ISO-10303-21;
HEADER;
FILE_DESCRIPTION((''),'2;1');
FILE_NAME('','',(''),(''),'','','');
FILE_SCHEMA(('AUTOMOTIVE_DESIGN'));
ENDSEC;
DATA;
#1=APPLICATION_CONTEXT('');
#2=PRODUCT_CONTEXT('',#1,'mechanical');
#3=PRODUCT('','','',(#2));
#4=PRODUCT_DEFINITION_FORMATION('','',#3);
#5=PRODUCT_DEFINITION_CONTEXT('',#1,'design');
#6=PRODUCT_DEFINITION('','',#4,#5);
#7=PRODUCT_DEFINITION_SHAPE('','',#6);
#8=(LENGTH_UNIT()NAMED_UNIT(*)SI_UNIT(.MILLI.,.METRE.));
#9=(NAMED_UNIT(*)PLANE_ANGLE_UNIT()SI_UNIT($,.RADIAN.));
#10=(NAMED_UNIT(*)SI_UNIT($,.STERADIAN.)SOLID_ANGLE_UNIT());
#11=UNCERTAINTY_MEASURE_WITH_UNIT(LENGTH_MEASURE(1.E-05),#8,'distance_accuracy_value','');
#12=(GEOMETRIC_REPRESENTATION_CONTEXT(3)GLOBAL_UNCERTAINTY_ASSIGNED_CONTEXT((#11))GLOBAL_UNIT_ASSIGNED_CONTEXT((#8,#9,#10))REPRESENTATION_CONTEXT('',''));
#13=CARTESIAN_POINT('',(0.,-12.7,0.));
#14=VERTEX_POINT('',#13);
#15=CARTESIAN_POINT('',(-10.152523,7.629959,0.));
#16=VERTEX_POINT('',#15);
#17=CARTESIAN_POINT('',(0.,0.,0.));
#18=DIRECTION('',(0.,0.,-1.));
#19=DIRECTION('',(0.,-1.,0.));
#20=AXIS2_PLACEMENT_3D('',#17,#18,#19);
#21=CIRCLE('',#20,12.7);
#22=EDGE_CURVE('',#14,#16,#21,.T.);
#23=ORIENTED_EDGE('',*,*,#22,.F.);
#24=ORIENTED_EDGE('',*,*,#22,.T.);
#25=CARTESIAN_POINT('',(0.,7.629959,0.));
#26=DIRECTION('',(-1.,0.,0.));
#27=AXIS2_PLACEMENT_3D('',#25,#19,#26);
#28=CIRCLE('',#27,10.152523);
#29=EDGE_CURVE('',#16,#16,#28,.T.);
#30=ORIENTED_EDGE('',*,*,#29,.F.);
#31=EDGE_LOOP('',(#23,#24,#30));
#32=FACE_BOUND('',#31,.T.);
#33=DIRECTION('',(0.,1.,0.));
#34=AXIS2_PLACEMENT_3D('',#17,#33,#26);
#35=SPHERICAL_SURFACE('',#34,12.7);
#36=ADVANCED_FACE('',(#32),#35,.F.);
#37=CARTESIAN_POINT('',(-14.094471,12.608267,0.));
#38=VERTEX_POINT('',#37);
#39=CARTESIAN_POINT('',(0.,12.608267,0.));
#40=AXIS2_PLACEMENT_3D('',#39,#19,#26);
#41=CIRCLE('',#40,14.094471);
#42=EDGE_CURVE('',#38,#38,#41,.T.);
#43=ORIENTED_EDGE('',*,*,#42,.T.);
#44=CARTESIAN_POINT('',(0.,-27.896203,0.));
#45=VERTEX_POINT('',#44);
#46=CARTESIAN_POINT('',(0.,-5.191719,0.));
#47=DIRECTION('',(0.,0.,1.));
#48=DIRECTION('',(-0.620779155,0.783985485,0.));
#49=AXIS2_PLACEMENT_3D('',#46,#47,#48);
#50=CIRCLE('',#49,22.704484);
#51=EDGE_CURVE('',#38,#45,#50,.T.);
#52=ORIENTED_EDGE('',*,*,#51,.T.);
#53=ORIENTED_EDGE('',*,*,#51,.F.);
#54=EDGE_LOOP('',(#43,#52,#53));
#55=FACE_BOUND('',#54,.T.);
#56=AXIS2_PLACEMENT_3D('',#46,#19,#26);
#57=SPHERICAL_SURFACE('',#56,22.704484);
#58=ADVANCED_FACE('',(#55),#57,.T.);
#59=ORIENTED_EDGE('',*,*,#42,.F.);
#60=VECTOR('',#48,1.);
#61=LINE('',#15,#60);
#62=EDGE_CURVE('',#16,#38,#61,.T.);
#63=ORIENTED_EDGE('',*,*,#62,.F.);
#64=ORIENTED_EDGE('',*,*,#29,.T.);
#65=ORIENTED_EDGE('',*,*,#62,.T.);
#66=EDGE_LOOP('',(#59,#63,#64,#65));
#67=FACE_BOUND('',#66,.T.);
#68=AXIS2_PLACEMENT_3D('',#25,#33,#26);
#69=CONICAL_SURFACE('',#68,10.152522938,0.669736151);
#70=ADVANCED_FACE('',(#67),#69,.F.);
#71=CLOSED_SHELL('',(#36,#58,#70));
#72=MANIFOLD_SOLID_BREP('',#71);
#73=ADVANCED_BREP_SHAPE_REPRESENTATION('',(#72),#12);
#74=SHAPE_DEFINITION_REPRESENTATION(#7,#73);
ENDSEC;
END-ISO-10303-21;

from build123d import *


with BuildPart() as f1:
    # F0 (on Top) → F1 (revolve)
    with BuildSketch(Plane.XY):
        with BuildLine():
            ThreePointArc((0, -12.7), (-11.3620086767, -5.6740425475), (-10.1525229381, 7.6299592391))
            ThreePointArc((-10.1525229381, 7.6299592391), (-15.4460527752, -10.5665316178), (0, -21.5462033483))
            Line((0, -21.5462033483), (0, -12.7))
        make_face()
        with BuildLine():
            ThreePointArc((0, -21.5462033483), (-15.4460527752, -10.5665316178), (-10.1525229381, 7.6299592391))
            Line((-10.1525229381, 7.6299592391), (-14.0944705725, 12.6082670689))
            ThreePointArc((-14.0944705725, 12.6082670689), (-21.4433336057, -12.653424677), (0, -27.8962033483))
            Line((0, -27.8962033483), (0, -21.5462033483))
        make_face()
    revolve(axis=Axis((0, -8.4488403601, 0), (0, -1, 0)))


solid = f1.part
